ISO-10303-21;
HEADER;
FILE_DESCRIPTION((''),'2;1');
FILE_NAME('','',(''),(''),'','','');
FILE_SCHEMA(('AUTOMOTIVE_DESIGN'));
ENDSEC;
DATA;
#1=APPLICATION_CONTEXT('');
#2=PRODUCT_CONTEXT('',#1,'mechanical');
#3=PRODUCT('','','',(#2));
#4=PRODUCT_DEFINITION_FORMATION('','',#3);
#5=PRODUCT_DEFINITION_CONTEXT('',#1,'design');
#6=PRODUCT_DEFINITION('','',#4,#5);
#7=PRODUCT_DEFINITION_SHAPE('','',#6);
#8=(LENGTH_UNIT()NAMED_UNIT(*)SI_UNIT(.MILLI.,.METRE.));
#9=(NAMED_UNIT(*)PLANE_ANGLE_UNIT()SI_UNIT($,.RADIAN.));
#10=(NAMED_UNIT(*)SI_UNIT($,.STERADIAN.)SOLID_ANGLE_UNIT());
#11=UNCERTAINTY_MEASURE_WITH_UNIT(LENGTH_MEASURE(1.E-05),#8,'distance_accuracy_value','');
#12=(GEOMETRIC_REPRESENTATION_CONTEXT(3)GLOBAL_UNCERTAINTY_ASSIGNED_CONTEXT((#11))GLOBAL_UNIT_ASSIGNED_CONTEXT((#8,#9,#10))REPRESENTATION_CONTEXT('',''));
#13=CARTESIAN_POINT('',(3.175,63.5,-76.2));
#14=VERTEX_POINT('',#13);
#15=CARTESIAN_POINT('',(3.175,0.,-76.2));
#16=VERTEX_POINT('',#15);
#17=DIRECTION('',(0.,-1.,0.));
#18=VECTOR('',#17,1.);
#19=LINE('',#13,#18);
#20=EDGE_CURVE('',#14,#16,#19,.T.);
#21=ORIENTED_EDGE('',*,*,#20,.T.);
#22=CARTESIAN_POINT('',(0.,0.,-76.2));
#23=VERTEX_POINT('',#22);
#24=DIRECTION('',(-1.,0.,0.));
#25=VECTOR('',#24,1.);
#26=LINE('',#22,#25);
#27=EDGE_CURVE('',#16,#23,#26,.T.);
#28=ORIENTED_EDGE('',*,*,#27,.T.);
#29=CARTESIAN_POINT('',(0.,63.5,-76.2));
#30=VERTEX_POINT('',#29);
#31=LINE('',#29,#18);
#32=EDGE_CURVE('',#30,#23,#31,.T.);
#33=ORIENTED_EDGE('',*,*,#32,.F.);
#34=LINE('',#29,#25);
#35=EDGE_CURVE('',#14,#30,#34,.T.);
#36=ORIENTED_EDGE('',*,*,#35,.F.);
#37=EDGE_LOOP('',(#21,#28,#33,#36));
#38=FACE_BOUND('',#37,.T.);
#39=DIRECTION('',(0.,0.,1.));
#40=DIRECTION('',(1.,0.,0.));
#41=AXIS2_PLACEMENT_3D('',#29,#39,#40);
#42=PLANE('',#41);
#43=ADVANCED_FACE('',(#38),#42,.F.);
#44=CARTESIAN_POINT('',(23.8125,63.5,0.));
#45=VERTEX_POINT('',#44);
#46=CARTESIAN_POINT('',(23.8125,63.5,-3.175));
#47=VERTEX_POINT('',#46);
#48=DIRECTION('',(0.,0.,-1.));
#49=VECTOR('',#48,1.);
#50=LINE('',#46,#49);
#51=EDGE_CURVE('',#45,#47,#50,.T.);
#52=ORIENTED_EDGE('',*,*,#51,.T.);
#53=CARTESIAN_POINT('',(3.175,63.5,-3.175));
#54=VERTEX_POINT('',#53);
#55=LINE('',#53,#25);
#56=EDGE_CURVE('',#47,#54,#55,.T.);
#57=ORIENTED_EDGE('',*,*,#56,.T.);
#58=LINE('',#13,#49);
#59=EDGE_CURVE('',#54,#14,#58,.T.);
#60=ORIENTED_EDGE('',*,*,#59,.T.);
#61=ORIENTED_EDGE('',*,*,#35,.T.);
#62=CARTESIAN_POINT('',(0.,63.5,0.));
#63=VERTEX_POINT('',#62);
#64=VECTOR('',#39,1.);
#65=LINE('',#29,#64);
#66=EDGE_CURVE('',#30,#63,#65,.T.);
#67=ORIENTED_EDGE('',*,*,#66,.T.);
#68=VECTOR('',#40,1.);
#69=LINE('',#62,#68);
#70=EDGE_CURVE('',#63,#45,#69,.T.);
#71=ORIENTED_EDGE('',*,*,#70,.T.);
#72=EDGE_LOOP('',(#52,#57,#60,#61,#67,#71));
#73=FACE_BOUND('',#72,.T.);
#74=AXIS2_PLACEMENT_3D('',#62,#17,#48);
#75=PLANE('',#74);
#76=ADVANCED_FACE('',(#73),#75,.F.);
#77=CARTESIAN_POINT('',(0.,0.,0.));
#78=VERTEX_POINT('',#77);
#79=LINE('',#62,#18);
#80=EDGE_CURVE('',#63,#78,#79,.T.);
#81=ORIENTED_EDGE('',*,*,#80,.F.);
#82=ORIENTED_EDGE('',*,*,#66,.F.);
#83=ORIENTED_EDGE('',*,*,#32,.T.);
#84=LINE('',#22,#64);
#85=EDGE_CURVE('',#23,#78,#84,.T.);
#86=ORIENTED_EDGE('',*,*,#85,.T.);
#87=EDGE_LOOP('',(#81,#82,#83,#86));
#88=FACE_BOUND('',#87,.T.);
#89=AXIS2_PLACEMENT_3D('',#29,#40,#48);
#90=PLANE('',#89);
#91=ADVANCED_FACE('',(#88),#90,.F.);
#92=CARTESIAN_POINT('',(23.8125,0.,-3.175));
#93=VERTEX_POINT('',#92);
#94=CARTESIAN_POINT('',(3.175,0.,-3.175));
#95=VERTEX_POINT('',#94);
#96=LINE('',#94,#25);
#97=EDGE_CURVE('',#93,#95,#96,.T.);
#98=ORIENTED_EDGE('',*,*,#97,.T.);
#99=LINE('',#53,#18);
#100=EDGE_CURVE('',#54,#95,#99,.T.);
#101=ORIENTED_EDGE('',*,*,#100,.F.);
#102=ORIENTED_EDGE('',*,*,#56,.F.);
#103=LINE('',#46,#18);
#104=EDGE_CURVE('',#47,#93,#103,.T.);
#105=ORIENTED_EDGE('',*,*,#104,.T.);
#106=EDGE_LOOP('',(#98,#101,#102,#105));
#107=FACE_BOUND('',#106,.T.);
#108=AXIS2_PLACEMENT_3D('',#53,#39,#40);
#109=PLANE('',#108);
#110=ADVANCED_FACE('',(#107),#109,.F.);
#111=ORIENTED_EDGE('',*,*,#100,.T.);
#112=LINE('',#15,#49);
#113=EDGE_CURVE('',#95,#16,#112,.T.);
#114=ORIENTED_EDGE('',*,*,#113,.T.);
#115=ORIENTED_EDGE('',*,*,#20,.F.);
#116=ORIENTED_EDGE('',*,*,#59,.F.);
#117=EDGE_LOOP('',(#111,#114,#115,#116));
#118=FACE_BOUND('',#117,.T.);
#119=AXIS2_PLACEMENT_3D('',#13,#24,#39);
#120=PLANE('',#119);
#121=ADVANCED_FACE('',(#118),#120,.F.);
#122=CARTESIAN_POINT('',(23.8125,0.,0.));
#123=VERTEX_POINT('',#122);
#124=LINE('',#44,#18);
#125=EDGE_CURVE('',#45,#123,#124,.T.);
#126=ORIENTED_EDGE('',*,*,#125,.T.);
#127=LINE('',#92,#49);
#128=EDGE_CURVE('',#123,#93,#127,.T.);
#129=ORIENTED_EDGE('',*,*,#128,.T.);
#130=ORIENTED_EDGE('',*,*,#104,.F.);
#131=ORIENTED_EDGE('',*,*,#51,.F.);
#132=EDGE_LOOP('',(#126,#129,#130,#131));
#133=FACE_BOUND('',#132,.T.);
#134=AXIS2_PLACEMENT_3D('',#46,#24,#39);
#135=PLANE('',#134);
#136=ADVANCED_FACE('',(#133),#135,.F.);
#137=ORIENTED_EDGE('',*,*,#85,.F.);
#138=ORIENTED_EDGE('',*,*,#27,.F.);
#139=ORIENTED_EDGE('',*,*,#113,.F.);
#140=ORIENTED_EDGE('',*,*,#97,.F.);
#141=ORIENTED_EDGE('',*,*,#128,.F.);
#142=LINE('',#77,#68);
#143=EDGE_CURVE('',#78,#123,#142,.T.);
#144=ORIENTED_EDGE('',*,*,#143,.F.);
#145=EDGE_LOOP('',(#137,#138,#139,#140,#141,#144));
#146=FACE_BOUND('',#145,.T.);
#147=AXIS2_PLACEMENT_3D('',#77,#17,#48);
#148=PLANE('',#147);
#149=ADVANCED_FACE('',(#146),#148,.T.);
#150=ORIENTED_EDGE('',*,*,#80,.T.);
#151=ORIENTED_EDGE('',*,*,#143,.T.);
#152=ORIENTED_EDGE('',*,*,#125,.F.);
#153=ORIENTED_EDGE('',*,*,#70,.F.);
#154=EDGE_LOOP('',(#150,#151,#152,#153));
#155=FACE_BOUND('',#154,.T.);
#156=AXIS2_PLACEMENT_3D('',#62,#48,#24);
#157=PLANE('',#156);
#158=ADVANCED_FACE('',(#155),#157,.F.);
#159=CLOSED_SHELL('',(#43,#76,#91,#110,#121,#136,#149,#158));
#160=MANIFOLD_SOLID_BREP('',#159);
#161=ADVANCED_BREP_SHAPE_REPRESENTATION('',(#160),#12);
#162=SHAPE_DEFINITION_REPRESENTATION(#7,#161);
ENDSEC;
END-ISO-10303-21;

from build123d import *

# Parameters (mm, degrees)
BOSS_EXTRUDE1_DEPTH = 63.5


with BuildPart() as part:
    # Sketch1 → Boss-Extrude1 (new body)
    with BuildSketch(Plane(origin=(0, 0, 0), x_dir=(1, 0, 0), z_dir=(0, 1, 0))):
        Polygon((0, 76.2), (0, 0), (23.8125, 0), (23.8125, 3.175), (3.175, 3.175), (3.175, 76.2), align=None)
    extrude(amount=BOSS_EXTRUDE1_DEPTH)


solid = part.part
